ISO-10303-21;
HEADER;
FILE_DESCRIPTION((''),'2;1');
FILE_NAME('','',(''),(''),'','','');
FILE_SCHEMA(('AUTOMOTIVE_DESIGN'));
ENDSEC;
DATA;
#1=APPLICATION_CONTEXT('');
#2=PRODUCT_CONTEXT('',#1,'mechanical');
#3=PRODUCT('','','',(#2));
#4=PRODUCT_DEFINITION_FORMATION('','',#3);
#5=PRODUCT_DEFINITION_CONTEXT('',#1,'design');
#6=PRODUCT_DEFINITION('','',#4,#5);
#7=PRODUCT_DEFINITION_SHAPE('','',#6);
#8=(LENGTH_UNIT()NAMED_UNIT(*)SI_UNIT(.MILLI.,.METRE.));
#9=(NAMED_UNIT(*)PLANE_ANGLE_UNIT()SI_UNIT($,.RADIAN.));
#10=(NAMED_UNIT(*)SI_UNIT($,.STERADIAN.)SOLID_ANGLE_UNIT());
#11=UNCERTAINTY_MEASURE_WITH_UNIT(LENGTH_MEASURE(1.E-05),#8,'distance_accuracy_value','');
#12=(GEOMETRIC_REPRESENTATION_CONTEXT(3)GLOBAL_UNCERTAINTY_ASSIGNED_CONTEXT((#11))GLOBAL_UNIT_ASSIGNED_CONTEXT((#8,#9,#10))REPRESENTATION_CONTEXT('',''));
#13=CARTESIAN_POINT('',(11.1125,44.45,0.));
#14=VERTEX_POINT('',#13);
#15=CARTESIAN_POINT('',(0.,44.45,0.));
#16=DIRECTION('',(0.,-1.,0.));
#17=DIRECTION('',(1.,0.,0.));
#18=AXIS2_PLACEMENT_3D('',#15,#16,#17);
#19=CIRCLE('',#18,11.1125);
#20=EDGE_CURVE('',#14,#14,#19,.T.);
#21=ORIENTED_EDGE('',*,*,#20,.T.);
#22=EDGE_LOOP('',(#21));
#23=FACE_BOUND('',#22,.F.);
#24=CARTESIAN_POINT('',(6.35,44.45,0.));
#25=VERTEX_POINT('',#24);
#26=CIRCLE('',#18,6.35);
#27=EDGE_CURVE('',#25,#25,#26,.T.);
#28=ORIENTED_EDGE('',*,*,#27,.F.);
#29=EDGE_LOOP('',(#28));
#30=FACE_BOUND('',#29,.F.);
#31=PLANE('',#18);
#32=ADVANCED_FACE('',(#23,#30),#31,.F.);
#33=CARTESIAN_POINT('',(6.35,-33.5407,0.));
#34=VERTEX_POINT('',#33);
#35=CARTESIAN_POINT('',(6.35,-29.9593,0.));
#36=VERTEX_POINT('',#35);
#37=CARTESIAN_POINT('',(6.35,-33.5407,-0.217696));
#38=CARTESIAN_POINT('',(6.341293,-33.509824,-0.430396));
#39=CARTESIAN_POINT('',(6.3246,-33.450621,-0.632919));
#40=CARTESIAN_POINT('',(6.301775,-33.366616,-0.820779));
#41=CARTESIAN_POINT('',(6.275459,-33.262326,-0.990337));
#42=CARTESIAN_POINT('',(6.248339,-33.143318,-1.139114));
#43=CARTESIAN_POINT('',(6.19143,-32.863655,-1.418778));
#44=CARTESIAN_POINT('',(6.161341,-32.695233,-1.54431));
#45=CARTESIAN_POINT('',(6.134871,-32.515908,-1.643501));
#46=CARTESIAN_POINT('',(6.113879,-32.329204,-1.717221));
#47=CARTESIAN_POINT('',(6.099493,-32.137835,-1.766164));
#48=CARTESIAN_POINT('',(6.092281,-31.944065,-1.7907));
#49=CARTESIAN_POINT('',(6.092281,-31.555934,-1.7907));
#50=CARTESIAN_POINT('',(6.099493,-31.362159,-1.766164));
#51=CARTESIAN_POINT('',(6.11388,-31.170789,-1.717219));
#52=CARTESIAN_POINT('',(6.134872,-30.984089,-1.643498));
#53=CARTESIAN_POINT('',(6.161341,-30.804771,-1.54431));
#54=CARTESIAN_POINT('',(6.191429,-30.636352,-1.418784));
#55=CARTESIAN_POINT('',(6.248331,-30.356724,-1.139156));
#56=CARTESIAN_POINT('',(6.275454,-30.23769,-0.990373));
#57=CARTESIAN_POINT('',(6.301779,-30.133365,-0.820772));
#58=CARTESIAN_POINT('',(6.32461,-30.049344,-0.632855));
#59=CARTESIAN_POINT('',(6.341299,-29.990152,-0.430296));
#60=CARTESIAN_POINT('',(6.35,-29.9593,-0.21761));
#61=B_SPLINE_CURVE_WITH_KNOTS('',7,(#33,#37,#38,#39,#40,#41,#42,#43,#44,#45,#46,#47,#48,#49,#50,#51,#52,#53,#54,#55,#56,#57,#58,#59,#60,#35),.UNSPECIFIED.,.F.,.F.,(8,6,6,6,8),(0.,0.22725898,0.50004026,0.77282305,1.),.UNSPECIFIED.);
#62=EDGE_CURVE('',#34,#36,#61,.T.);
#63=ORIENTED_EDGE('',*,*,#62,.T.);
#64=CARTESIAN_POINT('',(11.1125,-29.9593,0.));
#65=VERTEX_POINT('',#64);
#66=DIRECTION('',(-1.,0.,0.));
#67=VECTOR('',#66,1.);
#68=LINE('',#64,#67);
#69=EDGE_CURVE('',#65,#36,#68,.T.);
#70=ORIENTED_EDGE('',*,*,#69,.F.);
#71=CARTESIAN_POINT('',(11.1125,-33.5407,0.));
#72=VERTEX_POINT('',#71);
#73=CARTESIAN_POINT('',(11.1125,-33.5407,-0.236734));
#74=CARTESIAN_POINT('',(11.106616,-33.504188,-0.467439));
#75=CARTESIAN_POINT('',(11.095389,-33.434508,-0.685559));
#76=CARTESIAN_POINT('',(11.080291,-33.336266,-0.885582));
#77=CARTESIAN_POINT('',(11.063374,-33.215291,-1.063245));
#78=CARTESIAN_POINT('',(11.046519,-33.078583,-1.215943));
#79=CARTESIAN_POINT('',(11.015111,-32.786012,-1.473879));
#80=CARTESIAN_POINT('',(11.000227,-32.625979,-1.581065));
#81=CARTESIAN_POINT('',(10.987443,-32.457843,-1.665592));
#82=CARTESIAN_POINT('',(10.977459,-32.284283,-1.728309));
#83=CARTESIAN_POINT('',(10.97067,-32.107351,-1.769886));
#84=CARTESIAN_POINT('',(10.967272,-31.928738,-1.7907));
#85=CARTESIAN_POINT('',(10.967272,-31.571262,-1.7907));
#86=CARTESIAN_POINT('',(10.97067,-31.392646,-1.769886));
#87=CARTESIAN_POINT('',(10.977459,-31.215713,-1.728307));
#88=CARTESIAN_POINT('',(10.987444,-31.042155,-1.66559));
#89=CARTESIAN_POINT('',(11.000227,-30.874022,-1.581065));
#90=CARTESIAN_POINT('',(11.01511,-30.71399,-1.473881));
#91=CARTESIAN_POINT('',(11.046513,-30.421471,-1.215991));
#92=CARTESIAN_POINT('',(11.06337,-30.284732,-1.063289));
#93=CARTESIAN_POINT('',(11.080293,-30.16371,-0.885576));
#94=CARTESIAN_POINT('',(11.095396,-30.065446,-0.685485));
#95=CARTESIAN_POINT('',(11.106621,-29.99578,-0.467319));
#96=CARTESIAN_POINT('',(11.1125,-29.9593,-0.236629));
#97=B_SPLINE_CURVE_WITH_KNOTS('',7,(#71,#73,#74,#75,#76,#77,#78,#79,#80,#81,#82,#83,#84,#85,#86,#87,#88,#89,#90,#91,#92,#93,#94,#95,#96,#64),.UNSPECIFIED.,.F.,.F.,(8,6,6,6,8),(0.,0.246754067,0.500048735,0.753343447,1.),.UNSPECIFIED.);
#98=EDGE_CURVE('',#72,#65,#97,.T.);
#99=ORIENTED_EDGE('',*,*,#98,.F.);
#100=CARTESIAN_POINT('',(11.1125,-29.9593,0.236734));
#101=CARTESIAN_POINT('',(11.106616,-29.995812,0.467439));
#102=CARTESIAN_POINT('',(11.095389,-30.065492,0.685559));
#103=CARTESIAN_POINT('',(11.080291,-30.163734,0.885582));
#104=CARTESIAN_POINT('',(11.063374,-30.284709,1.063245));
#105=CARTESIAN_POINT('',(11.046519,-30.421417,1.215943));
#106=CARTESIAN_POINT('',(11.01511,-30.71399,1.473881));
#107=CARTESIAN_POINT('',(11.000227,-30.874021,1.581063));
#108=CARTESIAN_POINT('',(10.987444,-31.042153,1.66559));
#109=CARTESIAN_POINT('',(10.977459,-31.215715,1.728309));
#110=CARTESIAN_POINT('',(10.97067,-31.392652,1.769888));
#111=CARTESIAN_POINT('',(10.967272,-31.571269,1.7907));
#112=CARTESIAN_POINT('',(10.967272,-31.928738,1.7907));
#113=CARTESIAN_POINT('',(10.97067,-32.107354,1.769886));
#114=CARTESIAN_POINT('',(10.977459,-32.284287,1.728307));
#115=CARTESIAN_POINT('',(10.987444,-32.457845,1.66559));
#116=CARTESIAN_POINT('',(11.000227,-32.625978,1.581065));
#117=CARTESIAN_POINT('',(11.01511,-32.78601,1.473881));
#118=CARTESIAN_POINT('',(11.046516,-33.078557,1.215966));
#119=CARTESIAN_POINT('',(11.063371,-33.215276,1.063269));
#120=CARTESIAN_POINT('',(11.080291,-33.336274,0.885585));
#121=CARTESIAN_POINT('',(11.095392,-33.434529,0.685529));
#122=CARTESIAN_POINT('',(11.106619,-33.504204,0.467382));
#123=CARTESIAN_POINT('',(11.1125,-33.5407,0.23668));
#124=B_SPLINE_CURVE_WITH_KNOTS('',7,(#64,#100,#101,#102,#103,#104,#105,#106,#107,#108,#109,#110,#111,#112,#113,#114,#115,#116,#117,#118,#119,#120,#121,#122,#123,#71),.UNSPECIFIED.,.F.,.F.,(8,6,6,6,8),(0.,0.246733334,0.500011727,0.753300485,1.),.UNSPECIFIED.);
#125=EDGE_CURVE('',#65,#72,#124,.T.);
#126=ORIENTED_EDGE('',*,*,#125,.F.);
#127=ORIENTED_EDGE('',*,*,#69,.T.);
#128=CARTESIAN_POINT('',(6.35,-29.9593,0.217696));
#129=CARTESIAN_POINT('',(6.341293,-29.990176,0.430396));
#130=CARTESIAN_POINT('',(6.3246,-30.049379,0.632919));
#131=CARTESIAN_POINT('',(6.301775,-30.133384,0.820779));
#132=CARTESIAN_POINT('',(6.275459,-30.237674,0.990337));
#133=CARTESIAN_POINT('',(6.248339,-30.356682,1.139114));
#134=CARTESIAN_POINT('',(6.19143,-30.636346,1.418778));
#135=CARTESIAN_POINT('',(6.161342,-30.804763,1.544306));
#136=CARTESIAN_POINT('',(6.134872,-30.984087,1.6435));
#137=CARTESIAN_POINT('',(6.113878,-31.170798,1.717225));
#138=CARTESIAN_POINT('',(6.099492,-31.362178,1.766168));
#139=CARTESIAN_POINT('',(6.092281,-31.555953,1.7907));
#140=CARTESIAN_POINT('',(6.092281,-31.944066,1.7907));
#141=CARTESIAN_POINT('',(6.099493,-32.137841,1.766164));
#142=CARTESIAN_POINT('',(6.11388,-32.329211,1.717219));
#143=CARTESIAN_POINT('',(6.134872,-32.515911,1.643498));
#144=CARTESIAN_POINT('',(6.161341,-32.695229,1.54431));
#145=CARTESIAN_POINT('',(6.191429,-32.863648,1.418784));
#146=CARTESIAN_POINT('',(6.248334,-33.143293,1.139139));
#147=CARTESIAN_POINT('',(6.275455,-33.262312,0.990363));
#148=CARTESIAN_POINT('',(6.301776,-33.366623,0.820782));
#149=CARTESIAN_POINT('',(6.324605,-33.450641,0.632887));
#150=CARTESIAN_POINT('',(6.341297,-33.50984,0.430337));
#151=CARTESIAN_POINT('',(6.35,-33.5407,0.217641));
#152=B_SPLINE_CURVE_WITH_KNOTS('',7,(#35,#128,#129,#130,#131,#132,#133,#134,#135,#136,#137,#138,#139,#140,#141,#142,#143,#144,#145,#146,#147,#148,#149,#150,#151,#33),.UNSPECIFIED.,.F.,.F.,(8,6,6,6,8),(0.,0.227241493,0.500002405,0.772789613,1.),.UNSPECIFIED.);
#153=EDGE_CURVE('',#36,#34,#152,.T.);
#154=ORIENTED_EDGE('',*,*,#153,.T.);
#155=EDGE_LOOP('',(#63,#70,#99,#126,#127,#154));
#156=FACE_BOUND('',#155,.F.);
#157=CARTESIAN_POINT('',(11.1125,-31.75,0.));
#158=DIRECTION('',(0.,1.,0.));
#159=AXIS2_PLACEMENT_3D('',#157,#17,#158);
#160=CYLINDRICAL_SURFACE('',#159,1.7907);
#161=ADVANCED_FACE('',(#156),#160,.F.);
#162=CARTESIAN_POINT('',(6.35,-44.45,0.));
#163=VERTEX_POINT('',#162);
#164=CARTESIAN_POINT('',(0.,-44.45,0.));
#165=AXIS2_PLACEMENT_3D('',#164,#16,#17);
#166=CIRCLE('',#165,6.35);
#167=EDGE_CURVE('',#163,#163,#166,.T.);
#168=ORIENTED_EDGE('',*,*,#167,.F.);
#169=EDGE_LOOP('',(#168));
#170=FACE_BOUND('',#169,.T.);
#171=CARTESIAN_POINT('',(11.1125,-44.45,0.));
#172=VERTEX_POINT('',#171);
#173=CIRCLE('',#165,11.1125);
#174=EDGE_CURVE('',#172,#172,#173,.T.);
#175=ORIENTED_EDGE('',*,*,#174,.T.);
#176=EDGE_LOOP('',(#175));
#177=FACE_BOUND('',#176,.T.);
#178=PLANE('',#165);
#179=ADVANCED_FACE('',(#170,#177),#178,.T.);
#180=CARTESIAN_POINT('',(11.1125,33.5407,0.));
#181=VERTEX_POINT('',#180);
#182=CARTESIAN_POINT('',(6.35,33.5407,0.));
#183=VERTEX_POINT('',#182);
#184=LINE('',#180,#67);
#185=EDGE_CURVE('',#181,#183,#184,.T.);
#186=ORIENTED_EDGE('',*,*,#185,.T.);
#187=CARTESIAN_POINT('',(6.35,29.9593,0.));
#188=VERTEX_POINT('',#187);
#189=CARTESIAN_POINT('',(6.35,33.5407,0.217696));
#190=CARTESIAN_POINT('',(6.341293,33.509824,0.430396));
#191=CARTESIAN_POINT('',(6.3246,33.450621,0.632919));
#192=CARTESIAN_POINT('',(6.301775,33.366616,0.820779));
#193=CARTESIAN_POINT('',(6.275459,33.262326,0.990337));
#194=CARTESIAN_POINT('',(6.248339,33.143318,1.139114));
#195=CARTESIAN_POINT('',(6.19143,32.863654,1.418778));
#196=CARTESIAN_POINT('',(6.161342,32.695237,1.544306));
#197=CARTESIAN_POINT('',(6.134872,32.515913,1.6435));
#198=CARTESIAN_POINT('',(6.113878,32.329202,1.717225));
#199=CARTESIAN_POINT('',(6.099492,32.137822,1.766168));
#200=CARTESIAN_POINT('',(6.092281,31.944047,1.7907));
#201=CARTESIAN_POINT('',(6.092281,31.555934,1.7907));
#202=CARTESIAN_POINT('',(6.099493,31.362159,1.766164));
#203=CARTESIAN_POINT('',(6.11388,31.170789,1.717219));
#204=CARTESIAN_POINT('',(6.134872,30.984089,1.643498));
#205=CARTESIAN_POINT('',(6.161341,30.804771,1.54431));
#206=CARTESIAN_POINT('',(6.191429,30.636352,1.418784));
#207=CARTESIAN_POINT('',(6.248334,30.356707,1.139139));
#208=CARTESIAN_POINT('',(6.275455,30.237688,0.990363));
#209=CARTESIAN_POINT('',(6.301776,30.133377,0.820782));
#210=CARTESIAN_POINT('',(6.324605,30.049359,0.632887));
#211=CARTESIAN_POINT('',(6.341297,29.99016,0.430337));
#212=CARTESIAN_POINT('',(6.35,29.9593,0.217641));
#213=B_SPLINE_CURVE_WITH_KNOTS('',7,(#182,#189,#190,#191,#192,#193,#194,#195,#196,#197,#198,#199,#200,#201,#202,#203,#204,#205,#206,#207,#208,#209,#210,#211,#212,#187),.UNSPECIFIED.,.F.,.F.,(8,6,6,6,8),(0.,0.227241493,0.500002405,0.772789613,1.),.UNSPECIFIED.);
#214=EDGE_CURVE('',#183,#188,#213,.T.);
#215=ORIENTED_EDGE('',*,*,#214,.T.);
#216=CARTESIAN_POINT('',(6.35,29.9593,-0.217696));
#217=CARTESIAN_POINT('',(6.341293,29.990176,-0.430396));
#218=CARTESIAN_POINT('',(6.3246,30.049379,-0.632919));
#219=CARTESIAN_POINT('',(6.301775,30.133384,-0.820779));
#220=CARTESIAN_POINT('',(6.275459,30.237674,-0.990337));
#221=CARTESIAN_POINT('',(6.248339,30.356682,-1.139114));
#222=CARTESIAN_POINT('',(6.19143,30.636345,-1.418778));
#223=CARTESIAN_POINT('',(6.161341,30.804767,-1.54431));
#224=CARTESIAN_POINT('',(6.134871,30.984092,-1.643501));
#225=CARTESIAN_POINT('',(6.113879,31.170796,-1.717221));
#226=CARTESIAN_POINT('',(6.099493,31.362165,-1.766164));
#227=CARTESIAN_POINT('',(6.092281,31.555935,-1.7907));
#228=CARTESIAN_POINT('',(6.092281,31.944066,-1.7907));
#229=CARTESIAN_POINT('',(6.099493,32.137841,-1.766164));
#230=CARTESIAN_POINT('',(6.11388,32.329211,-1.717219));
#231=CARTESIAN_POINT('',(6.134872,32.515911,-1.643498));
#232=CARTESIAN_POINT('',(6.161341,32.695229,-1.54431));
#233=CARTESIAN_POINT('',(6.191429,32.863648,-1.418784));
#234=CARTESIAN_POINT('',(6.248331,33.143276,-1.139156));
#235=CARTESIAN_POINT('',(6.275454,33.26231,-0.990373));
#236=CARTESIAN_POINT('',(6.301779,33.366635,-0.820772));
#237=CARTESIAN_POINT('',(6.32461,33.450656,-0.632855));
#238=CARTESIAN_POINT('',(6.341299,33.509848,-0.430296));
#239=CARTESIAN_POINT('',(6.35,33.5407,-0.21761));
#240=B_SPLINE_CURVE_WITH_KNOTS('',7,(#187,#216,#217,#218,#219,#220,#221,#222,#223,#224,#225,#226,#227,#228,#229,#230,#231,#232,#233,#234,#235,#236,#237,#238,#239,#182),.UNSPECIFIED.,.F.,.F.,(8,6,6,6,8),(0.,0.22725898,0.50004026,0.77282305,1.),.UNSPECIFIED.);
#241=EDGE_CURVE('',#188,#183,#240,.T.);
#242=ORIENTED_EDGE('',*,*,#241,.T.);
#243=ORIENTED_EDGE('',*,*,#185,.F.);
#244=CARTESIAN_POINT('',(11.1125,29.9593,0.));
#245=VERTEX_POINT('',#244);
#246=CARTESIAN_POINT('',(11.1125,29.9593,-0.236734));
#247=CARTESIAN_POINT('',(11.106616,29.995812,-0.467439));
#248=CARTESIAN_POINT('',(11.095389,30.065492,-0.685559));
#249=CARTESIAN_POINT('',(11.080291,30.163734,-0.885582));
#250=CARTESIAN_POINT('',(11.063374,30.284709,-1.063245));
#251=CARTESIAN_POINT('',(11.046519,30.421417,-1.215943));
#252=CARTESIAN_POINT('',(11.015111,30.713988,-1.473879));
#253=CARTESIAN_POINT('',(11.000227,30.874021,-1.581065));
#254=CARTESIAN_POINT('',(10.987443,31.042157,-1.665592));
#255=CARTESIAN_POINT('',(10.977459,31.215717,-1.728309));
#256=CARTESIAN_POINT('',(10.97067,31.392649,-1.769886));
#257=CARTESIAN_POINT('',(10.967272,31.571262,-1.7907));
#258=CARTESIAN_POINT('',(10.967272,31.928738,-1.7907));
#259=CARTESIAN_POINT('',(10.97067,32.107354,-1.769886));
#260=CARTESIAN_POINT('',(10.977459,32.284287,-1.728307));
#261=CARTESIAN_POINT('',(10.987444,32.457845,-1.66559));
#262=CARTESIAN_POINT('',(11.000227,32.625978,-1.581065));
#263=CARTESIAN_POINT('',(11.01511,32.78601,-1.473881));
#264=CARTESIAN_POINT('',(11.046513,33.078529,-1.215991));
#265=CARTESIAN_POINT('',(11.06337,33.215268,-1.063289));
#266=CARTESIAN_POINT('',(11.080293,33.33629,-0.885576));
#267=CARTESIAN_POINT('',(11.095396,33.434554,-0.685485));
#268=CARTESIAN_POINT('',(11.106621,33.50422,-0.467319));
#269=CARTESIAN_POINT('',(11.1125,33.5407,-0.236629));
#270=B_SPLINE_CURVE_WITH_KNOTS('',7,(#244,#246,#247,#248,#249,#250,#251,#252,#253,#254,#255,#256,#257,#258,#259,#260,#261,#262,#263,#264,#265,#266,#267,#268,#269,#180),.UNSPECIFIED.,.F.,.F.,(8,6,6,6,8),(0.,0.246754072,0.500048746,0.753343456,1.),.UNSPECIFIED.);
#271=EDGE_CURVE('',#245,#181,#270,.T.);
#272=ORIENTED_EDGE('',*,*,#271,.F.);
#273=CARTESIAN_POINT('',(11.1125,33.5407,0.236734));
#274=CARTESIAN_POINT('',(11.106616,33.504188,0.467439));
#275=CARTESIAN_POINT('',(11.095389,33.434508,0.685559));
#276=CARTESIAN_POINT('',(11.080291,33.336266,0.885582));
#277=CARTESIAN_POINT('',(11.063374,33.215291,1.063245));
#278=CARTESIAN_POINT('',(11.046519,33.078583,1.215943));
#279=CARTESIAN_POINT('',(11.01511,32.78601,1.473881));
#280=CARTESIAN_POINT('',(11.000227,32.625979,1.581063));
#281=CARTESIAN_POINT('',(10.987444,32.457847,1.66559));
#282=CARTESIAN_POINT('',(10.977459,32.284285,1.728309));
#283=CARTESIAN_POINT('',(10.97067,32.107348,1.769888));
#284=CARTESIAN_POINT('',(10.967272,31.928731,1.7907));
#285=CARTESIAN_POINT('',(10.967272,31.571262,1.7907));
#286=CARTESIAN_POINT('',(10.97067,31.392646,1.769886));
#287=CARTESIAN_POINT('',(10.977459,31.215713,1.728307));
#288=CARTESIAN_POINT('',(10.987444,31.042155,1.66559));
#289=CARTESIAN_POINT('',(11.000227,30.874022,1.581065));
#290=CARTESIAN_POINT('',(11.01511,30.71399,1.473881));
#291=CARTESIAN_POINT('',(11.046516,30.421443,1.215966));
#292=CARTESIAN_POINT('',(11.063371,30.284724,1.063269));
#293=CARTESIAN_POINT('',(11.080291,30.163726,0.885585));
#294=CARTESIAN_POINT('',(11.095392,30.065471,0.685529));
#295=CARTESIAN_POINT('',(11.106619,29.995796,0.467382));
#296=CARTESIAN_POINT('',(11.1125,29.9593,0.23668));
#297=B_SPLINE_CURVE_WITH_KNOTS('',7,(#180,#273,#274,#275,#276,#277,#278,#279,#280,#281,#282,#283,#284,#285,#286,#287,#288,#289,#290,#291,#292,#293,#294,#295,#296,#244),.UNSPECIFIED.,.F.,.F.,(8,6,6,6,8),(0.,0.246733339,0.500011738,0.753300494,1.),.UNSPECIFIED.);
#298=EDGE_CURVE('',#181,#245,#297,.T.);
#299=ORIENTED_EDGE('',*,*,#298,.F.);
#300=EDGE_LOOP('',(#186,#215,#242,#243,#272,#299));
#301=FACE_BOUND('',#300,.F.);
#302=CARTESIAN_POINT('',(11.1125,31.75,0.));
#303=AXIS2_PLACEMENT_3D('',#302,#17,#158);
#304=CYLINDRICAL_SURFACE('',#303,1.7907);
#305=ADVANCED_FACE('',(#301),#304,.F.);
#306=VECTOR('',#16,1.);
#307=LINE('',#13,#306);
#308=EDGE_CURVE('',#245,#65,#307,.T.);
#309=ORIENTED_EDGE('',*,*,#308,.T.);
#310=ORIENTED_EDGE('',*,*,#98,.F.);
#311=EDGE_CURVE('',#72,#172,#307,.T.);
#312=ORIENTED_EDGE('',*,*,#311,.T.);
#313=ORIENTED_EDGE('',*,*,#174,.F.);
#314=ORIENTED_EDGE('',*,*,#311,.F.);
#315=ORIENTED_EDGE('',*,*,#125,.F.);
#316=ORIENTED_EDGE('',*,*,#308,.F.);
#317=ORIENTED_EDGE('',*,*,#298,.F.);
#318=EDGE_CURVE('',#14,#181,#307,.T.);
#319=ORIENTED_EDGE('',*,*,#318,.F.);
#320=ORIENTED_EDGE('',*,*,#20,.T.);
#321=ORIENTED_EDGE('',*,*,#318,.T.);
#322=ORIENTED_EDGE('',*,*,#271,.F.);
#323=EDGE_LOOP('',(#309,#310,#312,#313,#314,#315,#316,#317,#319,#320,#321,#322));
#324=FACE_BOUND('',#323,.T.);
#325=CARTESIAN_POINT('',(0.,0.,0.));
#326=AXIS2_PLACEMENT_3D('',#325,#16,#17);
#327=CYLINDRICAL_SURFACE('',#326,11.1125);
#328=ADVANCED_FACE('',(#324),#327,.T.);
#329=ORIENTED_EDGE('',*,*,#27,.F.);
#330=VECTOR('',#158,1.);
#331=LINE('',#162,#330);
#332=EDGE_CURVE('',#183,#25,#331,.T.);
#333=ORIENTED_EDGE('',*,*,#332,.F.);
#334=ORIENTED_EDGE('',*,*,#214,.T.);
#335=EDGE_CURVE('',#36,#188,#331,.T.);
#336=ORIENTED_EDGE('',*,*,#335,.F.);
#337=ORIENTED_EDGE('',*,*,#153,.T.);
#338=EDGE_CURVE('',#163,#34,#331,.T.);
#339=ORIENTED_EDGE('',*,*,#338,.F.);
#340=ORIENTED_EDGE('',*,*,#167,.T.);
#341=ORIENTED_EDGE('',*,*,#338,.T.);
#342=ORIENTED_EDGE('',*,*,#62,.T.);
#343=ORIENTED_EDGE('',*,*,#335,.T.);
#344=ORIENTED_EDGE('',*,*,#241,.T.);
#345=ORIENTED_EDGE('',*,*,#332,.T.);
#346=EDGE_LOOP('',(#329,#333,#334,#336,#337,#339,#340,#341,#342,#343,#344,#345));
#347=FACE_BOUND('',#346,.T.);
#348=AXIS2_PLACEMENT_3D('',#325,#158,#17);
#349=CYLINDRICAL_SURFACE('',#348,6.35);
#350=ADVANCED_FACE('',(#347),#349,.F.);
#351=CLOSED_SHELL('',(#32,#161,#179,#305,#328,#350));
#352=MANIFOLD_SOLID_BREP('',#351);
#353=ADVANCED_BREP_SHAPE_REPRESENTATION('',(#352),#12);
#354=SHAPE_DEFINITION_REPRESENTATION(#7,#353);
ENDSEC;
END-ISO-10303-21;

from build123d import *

# Parameters (mm, degrees)
F0_R     = 11.1125
F0_R_2   = 6.35
F1_DEPTH = 44.45
F3_R     = 1.7907
F4_DEPTH = 6.02021863


with BuildPart() as f1:
    # F0 (on Front) → F1 (new body, symmetric)
    with BuildSketch(Plane.XZ):
        Circle(F0_R)
        Circle(F0_R_2, mode=Mode.SUBTRACT)
    extrude(amount=F1_DEPTH, both=True)

    # F3 (on offset) → F4 (cut, up to face)
    with BuildSketch(Plane.YZ.offset(11.1125)):
        with Locations((-31.75, 0)):
            Circle(F3_R)
        with Locations((31.75, 0)):
            Circle(F3_R)
    extrude(amount=-F4_DEPTH, mode=Mode.SUBTRACT)


solid = f1.part
